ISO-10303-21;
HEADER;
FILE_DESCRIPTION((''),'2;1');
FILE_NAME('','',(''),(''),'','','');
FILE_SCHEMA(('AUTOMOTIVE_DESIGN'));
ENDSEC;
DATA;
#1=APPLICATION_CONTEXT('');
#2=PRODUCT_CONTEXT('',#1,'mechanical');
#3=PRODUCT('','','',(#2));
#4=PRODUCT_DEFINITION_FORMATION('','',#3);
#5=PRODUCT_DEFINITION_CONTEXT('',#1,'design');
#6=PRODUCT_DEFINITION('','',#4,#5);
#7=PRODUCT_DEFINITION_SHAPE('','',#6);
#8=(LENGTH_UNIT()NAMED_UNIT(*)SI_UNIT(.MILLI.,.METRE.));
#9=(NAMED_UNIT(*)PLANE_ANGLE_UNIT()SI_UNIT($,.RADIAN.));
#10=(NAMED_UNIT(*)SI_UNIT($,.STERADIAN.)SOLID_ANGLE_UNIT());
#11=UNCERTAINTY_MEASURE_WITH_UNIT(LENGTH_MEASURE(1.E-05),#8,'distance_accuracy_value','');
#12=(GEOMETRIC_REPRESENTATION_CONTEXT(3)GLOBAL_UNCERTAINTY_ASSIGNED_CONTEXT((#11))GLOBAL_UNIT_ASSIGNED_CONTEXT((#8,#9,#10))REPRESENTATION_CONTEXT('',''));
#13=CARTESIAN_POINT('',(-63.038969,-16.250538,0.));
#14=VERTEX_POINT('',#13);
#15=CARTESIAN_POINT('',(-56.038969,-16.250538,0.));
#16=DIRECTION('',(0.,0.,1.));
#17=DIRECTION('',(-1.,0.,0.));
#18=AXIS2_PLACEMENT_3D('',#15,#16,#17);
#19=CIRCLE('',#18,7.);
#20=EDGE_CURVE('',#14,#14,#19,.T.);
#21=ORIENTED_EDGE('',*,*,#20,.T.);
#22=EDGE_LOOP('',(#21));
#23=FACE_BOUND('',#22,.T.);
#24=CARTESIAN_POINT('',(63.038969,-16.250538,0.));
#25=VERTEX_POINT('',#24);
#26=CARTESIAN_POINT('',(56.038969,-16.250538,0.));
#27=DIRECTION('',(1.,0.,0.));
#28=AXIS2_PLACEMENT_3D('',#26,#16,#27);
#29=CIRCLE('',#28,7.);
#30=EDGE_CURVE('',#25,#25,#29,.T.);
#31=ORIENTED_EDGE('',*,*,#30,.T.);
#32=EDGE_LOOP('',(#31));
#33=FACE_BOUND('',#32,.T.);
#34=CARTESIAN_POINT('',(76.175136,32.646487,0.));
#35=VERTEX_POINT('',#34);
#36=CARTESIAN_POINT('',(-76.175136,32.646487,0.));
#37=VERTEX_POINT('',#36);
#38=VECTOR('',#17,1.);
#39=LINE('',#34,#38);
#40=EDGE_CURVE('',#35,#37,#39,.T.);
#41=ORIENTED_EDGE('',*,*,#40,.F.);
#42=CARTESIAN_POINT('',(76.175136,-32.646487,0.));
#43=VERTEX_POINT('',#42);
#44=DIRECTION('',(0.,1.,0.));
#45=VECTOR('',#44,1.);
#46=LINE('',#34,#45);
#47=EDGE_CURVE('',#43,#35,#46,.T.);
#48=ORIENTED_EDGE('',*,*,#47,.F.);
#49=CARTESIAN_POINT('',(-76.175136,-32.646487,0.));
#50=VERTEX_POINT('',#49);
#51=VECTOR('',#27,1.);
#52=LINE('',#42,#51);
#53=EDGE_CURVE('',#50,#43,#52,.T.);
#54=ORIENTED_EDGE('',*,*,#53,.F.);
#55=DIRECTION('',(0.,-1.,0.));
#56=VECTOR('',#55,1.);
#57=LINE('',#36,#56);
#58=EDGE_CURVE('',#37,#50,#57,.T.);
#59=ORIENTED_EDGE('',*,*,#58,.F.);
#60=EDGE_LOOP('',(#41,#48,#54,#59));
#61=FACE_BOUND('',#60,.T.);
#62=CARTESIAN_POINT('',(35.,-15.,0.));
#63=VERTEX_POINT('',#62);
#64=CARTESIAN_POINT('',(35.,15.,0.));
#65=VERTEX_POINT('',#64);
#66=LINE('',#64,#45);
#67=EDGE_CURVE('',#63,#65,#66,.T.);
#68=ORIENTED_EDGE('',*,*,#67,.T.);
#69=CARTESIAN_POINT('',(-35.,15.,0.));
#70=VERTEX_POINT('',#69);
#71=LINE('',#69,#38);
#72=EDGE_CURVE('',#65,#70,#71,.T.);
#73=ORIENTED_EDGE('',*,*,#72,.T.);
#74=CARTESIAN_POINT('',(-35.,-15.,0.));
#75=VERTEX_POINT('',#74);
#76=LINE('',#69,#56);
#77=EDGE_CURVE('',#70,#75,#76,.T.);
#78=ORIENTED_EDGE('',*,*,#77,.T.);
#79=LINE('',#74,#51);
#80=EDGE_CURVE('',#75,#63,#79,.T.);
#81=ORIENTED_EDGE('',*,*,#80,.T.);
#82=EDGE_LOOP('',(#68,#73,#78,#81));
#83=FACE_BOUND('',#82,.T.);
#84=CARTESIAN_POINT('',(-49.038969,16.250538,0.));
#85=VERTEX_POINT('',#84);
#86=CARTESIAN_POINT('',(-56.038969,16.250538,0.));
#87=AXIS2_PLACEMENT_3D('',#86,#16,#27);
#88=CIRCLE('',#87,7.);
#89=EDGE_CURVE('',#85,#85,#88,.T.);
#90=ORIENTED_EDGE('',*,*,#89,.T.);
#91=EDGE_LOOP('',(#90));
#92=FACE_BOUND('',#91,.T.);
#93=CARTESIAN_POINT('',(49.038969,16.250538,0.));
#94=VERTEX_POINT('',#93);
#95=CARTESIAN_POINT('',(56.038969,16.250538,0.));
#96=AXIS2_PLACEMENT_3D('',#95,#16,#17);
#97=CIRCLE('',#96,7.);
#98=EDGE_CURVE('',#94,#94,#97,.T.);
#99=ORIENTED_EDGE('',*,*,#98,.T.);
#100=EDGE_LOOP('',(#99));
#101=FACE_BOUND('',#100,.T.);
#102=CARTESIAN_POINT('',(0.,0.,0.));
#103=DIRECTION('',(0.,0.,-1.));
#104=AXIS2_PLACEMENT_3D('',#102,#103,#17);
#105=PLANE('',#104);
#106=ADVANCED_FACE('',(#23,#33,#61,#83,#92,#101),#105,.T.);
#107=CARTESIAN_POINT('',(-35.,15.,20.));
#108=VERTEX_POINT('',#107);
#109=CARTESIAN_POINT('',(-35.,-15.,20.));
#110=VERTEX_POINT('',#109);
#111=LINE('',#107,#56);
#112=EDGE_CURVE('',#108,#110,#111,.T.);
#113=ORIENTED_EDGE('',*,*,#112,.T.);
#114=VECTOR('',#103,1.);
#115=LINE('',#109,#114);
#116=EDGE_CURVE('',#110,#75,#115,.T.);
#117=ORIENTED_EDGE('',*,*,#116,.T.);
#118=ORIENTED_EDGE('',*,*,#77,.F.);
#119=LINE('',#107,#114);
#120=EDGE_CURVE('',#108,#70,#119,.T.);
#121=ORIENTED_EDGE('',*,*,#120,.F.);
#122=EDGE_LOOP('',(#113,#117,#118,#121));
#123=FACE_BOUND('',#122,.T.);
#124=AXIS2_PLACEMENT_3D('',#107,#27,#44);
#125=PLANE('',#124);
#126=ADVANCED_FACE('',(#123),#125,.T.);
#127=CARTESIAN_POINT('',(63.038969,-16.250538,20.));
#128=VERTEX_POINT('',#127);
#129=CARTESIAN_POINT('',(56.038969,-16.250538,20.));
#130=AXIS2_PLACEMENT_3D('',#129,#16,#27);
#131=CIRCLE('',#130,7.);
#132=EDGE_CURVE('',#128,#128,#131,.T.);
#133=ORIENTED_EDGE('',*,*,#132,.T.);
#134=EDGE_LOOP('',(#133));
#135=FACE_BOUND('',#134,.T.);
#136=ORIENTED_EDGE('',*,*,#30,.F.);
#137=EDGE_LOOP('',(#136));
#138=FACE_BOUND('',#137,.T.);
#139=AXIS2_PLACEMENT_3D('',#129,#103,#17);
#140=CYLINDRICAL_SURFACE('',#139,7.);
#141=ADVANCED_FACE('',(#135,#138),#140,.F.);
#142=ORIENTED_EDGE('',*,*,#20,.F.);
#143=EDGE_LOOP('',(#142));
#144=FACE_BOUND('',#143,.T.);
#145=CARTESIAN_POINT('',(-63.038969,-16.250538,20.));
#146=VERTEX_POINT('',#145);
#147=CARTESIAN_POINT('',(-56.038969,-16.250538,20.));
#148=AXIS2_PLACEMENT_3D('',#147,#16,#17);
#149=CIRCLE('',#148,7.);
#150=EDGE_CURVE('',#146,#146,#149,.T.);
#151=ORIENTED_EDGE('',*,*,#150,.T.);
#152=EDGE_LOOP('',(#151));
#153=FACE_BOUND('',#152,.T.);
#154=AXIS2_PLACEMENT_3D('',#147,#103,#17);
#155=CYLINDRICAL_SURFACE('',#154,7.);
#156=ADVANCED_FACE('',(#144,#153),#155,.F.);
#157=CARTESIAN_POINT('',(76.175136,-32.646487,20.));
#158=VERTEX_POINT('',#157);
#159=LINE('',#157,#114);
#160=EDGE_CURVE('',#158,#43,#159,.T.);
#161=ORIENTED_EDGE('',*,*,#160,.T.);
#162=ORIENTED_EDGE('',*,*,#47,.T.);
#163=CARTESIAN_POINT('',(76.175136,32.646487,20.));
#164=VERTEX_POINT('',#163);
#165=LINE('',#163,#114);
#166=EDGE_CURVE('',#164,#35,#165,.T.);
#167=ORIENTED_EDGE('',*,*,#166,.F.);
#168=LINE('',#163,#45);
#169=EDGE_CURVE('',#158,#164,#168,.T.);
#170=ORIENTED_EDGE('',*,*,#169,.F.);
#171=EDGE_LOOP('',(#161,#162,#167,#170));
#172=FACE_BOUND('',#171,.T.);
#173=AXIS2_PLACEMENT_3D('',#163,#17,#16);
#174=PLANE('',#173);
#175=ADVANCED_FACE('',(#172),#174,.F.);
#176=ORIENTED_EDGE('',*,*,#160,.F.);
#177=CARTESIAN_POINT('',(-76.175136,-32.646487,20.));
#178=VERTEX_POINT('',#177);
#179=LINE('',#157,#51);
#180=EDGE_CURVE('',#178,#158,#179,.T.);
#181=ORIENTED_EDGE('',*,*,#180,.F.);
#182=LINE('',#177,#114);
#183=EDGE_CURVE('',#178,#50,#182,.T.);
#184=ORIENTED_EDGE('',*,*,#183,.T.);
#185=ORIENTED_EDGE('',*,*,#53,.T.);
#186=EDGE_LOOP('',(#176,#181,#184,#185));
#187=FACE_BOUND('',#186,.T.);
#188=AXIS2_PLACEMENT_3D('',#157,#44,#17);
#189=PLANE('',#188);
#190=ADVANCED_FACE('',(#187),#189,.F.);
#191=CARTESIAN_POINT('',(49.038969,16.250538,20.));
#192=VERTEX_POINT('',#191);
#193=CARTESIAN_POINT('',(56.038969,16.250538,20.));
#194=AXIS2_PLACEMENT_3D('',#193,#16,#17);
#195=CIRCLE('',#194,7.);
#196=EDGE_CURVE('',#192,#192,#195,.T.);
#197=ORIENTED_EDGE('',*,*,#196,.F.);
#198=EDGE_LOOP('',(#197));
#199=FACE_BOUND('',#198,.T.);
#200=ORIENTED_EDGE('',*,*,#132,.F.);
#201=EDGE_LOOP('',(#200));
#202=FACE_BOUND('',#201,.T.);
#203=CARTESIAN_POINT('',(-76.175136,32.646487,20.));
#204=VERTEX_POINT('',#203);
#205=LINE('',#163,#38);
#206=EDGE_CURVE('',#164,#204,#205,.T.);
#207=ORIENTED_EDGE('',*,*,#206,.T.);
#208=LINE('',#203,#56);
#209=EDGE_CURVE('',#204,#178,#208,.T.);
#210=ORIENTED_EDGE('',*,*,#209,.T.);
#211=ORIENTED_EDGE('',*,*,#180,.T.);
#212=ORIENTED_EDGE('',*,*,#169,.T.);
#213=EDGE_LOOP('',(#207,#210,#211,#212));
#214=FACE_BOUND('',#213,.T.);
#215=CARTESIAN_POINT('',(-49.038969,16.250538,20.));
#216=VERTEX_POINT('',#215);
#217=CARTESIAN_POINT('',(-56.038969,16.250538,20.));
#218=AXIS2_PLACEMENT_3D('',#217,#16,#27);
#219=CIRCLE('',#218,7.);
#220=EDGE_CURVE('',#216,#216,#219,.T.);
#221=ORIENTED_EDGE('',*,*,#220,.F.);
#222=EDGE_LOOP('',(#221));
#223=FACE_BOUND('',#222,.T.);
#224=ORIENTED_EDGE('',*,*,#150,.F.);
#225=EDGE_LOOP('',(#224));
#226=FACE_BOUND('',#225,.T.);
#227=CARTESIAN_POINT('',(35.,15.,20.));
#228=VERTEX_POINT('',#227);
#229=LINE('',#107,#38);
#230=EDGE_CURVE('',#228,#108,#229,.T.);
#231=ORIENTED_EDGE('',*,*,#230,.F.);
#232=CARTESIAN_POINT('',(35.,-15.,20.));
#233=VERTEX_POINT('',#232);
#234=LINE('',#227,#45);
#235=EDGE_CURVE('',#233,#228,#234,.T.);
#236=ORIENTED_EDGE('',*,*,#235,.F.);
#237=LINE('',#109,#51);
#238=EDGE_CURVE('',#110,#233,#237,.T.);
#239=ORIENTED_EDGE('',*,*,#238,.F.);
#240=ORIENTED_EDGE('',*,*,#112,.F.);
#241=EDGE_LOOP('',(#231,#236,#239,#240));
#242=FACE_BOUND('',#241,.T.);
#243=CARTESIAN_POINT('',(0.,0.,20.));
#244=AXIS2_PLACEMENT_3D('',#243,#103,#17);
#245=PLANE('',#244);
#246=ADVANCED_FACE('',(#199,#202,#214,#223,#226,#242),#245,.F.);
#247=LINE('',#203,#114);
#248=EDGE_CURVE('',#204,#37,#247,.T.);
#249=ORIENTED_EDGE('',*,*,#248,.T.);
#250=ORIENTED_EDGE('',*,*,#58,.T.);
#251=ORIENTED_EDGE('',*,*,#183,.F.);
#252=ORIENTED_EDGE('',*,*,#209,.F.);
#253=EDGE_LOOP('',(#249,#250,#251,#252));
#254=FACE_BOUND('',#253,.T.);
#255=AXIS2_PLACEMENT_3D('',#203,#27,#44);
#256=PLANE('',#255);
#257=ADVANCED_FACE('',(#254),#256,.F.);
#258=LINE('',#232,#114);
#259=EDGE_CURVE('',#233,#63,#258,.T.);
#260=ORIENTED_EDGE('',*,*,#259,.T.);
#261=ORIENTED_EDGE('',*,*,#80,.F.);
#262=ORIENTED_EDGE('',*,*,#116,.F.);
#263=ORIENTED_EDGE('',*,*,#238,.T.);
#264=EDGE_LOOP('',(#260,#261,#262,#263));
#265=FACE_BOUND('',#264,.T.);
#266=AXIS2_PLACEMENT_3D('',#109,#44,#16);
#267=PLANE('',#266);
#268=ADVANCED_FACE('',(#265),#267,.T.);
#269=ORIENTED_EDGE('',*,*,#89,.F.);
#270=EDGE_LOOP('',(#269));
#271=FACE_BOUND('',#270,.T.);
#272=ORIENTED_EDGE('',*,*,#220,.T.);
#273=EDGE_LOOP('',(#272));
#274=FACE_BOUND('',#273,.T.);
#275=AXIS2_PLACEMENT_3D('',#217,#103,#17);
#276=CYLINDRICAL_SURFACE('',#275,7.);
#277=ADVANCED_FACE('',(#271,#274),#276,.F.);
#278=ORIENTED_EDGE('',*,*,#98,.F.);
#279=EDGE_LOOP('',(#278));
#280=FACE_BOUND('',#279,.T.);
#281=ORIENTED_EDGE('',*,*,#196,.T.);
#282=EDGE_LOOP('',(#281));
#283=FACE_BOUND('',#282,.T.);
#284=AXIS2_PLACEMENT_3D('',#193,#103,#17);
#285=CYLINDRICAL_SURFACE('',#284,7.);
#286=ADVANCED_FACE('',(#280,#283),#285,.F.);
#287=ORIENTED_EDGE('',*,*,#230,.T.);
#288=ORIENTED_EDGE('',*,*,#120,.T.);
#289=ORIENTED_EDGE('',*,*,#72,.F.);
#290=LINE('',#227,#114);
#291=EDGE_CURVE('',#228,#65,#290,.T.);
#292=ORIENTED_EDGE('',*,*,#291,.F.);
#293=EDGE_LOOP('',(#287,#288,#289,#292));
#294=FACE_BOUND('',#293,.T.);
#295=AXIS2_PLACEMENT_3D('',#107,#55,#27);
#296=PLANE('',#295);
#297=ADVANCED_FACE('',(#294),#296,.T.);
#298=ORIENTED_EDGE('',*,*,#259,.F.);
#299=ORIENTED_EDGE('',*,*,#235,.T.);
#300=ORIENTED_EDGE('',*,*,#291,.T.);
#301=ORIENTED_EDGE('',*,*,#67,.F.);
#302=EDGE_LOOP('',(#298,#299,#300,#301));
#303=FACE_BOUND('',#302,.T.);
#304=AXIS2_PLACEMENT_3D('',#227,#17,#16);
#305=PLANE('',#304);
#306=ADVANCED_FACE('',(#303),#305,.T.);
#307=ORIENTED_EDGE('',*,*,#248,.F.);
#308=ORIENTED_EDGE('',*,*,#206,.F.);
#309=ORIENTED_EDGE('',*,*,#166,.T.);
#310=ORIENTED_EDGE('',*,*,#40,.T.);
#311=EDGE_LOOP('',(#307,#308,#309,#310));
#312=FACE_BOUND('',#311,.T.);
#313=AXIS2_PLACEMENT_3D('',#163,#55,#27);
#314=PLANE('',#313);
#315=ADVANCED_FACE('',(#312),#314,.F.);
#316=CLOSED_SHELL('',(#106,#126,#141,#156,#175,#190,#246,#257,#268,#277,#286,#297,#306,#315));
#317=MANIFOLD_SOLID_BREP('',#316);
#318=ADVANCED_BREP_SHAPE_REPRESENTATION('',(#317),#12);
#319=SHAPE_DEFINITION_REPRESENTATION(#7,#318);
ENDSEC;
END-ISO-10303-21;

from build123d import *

# Parameters (mm, degrees)
CROQUIS1_W              = 152.350272222
CROQUIS1_H              = 65.29297381
CROQUIS1_R              = 7
CROQUIS1_W_2            = 70
CROQUIS1_H_2            = 30
SALIENTE_EXTRUIR1_DEPTH = 20


with BuildPart() as part:
    # Croquis1 → Saliente-Extruir1 (new body)
    with BuildSketch(Plane.XY):
        Rectangle(CROQUIS1_W, CROQUIS1_H)
        with Locations((-56.038969429, 16.250537634)):
            Circle(CROQUIS1_R, mode=Mode.SUBTRACT)
        with Locations((56.038969429, 16.250537634)):
            Circle(CROQUIS1_R, mode=Mode.SUBTRACT)
        with Locations((56.038969429, -16.250537634)):
            Circle(CROQUIS1_R, mode=Mode.SUBTRACT)
        with Locations((-56.038969429, -16.250537634)):
            Circle(CROQUIS1_R, mode=Mode.SUBTRACT)
        Rectangle(CROQUIS1_W_2, CROQUIS1_H_2, mode=Mode.SUBTRACT)
    extrude(amount=SALIENTE_EXTRUIR1_DEPTH)


solid = part.part
